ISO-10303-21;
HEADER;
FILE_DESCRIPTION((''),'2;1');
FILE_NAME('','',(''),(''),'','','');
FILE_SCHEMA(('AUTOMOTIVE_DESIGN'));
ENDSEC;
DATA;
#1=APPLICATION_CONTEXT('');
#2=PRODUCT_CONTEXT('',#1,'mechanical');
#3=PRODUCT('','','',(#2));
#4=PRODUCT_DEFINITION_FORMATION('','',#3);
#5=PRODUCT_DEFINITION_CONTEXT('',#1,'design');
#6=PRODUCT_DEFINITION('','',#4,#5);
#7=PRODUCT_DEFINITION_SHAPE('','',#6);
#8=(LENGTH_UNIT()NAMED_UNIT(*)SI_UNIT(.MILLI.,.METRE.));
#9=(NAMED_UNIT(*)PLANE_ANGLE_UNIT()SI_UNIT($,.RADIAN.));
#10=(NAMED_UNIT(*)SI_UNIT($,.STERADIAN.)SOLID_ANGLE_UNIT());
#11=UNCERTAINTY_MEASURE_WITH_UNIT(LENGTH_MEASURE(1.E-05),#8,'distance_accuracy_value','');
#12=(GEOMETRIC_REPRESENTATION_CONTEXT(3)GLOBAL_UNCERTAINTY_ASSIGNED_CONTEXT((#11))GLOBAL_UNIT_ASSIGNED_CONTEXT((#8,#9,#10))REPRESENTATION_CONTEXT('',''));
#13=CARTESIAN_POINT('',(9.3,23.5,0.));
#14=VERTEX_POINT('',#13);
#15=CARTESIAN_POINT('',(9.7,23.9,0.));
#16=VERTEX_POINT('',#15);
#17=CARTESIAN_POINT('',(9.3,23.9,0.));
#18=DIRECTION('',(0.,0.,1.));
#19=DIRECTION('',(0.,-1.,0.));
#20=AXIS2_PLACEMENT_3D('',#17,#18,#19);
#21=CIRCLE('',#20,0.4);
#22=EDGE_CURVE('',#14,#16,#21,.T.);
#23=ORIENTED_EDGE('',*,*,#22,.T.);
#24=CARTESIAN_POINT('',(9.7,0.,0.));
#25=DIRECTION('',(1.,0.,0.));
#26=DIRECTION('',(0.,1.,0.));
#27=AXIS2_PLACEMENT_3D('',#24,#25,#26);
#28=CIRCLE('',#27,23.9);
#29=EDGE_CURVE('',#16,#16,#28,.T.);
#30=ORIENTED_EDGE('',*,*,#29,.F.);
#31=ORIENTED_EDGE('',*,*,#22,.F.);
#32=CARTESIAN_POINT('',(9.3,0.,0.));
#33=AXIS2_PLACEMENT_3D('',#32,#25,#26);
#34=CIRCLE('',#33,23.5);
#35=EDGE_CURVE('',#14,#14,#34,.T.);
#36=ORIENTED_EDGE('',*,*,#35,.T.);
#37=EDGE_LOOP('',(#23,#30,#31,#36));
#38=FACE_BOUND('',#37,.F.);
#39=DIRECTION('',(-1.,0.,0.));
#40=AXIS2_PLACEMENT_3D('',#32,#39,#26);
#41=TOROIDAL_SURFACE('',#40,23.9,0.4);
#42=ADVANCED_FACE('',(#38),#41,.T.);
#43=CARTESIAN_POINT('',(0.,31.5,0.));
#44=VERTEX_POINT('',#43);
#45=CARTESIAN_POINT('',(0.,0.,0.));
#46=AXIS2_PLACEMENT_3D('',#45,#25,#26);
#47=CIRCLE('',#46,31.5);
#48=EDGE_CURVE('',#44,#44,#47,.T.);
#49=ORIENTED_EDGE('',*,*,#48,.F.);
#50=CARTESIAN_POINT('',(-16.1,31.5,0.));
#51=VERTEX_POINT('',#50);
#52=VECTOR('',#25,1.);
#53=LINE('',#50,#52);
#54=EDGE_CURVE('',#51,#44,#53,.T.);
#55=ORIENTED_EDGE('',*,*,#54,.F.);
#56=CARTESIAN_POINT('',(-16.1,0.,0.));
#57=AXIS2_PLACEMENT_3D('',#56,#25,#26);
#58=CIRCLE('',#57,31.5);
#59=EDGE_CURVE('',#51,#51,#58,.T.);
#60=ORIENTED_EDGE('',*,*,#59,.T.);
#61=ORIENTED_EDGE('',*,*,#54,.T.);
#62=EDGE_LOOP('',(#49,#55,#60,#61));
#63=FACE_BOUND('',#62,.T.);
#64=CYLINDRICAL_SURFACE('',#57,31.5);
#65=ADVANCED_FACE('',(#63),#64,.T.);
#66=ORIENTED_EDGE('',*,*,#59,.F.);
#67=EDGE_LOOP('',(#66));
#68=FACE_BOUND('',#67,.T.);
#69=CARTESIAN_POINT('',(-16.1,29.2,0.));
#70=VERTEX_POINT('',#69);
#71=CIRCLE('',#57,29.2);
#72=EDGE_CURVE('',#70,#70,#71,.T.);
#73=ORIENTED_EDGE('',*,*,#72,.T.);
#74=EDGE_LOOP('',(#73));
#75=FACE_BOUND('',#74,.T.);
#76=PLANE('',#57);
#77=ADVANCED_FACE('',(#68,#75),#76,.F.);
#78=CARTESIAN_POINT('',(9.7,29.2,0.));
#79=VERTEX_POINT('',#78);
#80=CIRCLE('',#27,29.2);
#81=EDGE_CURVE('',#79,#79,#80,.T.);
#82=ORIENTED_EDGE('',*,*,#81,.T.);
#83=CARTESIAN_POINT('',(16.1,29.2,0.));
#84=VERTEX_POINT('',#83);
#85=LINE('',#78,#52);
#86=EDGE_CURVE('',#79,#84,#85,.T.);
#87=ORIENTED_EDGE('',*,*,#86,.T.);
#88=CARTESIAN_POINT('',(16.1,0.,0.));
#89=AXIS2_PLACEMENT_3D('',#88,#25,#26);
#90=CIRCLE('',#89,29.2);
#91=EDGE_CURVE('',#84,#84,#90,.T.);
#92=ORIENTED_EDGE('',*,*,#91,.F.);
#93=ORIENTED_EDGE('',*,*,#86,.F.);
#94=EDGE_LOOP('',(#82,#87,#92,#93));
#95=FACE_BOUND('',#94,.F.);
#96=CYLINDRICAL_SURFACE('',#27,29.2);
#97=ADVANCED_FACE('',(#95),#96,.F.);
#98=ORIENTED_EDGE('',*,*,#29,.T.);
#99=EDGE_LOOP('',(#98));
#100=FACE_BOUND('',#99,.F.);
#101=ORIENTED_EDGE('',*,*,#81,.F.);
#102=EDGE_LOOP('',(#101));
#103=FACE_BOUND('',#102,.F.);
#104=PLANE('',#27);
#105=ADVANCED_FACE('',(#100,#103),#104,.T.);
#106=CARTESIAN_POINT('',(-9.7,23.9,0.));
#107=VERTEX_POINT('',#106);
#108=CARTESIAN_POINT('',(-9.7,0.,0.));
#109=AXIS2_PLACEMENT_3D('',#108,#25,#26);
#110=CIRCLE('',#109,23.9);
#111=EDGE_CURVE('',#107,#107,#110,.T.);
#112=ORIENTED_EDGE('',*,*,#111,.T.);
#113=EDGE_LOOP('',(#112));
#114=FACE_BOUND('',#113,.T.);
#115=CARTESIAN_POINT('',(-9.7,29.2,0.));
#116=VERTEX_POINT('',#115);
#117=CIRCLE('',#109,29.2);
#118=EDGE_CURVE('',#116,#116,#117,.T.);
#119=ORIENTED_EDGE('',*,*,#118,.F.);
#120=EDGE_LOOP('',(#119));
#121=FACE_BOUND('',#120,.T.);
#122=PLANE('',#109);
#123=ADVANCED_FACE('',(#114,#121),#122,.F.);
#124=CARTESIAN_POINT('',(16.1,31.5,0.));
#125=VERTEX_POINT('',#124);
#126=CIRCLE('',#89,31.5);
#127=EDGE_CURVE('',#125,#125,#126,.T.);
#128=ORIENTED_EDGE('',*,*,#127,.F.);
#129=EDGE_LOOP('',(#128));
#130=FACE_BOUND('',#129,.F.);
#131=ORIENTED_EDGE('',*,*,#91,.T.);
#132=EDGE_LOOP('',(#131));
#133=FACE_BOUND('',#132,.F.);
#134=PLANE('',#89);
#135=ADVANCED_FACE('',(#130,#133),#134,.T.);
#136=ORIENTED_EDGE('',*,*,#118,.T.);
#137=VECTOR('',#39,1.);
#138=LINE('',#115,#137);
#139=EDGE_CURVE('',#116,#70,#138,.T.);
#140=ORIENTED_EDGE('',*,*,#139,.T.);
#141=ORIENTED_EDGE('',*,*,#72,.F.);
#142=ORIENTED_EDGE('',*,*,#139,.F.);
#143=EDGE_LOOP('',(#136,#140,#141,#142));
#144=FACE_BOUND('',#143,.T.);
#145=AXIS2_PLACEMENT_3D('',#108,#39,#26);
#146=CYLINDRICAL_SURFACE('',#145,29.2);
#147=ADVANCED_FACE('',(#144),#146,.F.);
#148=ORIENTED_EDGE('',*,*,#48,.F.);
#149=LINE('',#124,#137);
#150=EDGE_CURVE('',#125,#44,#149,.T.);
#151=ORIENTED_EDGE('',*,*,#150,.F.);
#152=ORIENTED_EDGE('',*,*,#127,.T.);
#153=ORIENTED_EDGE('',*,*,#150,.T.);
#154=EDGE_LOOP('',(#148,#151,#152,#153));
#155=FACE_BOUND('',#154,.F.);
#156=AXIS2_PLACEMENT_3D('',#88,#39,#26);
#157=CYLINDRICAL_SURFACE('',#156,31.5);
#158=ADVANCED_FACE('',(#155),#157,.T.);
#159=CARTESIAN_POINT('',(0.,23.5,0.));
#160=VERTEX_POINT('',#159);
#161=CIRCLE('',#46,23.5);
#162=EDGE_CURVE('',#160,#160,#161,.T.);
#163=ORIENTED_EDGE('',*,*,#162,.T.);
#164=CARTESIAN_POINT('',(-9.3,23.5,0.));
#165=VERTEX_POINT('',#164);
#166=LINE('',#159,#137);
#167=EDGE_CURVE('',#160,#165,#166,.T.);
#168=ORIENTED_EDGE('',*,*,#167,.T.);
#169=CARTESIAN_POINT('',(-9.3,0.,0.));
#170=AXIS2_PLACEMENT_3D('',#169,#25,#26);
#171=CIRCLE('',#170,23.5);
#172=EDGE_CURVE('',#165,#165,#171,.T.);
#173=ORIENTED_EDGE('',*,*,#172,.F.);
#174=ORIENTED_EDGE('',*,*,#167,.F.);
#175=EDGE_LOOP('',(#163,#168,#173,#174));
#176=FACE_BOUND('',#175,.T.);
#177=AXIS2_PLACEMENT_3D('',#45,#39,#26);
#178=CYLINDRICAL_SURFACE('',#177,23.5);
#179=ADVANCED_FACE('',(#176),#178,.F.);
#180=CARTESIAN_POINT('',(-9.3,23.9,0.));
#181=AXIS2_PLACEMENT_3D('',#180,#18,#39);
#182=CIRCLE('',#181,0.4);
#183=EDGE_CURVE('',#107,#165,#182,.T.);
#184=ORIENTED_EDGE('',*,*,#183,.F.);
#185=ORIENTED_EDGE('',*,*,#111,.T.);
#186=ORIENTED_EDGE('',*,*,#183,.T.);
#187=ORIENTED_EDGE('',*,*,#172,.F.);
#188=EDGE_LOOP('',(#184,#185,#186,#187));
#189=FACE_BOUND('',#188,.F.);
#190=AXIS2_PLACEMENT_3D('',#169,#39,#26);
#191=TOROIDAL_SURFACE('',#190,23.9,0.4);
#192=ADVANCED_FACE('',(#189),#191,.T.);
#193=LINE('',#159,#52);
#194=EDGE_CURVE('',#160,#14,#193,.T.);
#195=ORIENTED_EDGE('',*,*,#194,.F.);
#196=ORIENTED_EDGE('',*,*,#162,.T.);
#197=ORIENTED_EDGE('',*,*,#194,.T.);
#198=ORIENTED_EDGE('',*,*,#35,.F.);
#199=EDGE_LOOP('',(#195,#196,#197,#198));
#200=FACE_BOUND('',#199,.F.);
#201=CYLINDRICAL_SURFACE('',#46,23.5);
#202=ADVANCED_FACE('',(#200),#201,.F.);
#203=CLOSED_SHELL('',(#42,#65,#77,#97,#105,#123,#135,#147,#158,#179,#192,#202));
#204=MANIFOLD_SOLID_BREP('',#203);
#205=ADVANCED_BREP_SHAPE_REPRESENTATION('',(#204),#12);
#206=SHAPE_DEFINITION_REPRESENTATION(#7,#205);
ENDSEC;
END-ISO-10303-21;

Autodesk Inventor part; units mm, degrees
ref_plane "YZ Plane" through (0, 0, 0) normal (1, 0, 0) x (0, 1, 0)
ref_plane "XZ Plane" through (0, 0, 0) normal (0, 1, 0) x (-1, 0, 0)
ref_plane "XY Plane" through (0, 0, 0) normal (0, 0, 1) x (1, 0, 0)
sketch "Sketch1" plane through (0, 0, 0) normal (0, 0, 1) x (1, 0, 0)
  line L0 (0, 23.5) -> (9.3, 23.5)
  line L1 (9.7, 23.9) -> (9.7, 29.2)
  line L2 (9.7, 29.2) -> (16.1, 29.2)
  line L3 (16.1, 29.2) -> (16.1, 31.5)
  line L4 (16.1, 31.5) -> (0, 31.5)
  line L5 (0, 23.5) -> (0, 39.7331)
  arc A0 (9.3, 23.5) -> (9.7, 23.9) centre (9.3, 23.9) ccw
  line L6 (0, 0) -> (48.7382, 0)
  line L7 (0, 23.5) -> (-9.3, 23.5)
  line L8 (-9.7, 23.9) -> (-9.7, 29.2)
  line L9 (-9.7, 29.2) -> (-16.1, 29.2)
  line L10 (-16.1, 29.2) -> (-16.1, 31.5)
  line L11 (-16.1, 31.5) -> (0, 31.5)
  arc A1 (-9.7, 23.9) -> (-9.3, 23.5) centre (-9.3, 23.9) ccw
  dimension "d0" = 0.4
  dimension "d1" = 47
  dimension "d2" = 63
  dimension "d3" = 58.4
  dimension "d4" = 16.1
  dimension "d5" = 9.7
revolve "Revolution1" add sketch "Sketch1" angle 360 about axis through (0, 0, 0) along (1, 0, 0)
properties part number "3136 7009 52" material "Nylon 6/6"
